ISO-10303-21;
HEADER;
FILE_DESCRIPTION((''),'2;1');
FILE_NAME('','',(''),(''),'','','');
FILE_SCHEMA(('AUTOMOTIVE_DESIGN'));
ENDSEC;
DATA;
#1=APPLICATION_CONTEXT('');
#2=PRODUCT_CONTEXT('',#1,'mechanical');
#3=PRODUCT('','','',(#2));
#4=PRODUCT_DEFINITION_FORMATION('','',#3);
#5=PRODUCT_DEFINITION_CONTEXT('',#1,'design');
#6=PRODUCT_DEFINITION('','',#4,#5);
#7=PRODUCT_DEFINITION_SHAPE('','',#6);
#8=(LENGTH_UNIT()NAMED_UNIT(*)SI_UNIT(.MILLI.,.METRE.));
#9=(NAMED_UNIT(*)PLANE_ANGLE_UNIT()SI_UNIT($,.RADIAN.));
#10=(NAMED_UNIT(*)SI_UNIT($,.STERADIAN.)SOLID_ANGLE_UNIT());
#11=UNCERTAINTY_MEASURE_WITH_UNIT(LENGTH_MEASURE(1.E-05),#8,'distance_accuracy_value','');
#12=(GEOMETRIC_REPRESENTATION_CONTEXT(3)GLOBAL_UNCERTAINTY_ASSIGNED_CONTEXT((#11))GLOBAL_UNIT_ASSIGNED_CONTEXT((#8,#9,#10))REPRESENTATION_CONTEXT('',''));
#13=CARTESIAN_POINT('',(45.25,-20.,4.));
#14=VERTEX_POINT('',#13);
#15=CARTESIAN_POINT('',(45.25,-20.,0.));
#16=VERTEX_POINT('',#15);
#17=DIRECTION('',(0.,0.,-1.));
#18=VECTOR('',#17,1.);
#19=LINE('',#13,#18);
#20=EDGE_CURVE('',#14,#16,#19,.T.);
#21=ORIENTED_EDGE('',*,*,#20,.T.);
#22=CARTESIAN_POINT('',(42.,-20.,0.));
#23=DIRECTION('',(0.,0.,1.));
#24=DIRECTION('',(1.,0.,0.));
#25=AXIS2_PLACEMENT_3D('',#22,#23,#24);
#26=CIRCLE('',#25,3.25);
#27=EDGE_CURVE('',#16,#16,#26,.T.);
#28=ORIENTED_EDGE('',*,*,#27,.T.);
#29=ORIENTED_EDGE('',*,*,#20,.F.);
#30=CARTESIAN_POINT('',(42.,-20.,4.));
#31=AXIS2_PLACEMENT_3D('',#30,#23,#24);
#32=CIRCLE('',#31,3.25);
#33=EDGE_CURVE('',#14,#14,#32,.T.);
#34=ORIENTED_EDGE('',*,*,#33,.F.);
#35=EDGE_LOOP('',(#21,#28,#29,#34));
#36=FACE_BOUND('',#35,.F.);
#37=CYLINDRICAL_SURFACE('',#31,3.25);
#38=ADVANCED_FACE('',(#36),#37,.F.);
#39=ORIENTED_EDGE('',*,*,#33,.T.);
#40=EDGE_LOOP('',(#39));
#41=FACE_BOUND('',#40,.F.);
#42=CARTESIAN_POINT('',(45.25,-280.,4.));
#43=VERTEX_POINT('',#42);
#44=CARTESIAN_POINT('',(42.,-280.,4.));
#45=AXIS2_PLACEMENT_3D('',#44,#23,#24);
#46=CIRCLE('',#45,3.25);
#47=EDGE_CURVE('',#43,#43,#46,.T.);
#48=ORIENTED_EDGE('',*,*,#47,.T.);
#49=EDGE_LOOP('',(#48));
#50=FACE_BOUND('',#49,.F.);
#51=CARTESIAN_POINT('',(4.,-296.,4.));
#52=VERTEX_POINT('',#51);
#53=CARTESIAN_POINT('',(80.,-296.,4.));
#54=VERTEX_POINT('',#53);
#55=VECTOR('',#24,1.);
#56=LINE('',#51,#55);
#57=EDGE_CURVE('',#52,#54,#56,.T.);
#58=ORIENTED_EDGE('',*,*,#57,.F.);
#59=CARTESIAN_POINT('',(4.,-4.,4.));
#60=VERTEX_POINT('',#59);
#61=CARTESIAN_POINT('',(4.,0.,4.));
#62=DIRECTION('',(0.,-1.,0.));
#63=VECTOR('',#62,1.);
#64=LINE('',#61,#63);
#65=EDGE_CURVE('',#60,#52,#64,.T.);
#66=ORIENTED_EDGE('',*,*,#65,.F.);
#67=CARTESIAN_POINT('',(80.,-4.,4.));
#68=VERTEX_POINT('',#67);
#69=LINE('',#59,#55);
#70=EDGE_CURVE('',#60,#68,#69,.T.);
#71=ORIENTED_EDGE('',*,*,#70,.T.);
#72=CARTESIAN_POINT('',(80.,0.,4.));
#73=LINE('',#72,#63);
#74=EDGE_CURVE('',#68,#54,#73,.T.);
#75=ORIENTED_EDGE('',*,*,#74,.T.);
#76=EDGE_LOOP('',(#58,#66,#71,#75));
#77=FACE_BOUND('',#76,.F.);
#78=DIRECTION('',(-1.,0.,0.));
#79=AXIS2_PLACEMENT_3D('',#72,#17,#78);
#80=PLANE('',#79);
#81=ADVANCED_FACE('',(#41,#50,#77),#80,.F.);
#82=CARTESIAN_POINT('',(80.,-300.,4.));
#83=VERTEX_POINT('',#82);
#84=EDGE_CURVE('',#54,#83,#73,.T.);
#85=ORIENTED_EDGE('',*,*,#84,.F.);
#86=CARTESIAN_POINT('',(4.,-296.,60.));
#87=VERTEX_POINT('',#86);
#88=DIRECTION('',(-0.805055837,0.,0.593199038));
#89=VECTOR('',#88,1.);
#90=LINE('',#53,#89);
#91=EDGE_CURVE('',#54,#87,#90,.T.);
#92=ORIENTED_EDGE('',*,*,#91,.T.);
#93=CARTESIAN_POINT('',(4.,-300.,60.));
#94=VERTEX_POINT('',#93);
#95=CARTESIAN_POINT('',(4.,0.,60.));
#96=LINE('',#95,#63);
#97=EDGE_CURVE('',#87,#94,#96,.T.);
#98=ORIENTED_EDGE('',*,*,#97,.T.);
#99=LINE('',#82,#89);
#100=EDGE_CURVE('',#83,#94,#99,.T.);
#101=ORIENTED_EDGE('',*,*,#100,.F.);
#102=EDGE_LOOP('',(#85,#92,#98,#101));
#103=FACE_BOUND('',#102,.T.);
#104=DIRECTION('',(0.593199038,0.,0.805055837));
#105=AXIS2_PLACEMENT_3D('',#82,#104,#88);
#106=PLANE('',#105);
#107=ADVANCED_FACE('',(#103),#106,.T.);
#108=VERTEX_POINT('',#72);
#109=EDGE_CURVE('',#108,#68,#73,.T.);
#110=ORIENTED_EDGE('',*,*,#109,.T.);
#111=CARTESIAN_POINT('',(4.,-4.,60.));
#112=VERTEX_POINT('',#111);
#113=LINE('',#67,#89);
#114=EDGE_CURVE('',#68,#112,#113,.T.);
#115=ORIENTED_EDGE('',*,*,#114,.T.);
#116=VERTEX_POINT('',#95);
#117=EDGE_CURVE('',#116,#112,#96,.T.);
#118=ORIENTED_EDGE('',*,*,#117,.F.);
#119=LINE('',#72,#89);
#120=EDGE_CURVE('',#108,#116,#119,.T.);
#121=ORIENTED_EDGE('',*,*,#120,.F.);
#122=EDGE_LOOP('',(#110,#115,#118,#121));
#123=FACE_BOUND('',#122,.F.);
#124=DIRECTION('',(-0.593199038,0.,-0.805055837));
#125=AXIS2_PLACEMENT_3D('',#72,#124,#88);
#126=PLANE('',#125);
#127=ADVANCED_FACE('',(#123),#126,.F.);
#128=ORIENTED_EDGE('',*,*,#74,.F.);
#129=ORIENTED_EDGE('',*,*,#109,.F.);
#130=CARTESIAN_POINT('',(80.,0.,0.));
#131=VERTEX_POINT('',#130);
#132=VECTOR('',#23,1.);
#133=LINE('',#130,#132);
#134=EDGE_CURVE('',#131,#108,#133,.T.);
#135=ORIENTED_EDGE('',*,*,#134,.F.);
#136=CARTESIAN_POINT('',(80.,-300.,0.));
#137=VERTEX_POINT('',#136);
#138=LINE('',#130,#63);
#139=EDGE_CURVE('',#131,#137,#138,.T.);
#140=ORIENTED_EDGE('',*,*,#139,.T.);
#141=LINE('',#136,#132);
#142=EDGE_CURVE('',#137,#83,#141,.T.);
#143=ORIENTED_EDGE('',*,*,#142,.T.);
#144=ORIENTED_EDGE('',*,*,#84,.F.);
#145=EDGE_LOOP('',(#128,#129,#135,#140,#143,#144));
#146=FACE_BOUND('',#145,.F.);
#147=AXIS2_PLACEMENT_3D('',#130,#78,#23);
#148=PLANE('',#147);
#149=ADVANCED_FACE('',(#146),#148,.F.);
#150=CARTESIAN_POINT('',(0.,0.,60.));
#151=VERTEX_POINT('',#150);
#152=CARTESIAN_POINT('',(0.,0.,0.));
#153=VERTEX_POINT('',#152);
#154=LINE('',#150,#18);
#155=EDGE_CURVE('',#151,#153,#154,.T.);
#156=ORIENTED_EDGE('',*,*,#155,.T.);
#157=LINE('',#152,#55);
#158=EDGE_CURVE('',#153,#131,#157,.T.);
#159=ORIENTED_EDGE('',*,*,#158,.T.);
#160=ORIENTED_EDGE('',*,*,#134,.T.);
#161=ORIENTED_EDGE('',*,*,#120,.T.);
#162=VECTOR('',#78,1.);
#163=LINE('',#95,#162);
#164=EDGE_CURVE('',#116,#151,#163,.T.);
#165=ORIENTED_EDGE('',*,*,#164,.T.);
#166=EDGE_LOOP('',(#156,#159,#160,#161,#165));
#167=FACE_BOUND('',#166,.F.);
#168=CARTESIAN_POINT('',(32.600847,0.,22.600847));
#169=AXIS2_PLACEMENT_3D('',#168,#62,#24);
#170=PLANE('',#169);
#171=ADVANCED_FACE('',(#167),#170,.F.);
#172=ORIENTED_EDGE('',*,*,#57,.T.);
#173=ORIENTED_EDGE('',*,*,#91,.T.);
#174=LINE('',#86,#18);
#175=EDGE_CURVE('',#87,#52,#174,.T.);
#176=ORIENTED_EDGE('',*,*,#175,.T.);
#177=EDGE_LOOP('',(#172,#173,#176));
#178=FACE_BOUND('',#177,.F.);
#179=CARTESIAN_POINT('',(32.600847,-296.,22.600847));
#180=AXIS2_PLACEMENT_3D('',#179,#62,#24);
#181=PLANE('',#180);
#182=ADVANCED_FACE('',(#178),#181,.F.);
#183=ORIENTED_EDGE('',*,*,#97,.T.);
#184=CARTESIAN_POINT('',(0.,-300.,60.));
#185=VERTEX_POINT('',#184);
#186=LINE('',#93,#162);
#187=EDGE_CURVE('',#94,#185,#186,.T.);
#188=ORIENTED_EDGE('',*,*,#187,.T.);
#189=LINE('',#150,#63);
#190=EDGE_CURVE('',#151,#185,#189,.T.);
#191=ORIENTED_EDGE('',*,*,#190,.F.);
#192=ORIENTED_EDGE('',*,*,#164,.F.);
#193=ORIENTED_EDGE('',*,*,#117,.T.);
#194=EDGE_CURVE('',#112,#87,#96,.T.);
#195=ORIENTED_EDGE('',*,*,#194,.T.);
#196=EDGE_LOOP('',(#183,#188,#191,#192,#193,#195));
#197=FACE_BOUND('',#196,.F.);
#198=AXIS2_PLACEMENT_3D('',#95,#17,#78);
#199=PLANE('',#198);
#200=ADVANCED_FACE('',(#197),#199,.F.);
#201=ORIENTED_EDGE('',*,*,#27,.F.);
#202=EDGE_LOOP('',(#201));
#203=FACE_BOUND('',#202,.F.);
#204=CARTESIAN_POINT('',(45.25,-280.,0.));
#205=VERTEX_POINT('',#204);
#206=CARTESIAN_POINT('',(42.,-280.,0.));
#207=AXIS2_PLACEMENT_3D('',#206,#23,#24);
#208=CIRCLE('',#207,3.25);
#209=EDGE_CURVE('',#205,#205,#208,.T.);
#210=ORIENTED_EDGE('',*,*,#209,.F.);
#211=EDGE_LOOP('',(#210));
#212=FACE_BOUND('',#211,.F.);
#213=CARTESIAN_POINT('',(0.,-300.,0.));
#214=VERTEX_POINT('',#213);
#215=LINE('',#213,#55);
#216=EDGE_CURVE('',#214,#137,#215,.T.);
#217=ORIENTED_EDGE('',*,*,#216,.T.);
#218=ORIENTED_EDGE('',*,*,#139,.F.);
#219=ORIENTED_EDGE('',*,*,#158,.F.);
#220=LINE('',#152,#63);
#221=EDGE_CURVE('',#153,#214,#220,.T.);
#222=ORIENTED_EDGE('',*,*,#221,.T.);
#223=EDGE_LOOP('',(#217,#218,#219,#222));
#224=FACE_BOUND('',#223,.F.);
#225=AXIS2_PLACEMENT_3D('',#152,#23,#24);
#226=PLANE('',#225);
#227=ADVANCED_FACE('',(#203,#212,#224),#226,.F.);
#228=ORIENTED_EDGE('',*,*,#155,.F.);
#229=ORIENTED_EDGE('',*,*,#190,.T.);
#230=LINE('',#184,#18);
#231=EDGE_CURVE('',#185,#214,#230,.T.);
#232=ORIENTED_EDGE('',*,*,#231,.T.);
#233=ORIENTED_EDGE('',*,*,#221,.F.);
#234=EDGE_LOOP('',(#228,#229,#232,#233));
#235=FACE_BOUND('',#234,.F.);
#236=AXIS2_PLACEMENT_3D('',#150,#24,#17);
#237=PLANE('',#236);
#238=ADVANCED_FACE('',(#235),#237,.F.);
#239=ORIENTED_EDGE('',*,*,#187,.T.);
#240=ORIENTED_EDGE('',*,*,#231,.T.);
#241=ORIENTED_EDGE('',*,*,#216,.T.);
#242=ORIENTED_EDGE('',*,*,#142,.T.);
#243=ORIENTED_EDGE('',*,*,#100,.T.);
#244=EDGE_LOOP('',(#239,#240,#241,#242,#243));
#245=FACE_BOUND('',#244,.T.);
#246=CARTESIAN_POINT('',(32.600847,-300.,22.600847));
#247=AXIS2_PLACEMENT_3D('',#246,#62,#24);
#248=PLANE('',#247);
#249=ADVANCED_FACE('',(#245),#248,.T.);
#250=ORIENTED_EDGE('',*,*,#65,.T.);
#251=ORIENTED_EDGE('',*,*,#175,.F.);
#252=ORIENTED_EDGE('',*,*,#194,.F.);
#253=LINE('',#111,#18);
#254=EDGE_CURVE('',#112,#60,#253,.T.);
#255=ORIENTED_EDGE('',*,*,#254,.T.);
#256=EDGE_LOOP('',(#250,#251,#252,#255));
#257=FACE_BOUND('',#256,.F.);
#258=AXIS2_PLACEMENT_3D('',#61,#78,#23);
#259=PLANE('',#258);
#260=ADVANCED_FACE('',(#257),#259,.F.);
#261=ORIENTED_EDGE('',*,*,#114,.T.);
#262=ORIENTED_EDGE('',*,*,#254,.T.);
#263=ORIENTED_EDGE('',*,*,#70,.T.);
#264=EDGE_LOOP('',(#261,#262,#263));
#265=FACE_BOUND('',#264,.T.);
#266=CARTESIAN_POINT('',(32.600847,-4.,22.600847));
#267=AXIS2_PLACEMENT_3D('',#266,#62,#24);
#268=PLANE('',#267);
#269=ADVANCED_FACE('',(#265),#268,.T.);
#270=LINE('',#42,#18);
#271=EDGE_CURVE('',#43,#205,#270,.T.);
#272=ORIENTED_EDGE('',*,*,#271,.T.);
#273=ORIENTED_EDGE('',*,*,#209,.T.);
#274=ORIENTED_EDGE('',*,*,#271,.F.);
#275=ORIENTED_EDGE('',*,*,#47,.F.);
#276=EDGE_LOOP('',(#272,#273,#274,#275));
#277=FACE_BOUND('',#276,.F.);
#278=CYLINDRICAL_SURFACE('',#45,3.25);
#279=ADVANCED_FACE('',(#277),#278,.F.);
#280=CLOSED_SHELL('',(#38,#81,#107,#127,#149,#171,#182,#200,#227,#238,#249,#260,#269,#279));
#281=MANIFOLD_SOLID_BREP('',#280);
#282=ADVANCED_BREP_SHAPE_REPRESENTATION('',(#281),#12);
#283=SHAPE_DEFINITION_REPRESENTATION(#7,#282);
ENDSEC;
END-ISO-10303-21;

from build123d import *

# Parameters (mm, degrees)
F1_DEPTH = 300
F2_R     = 3.25
F3_DEPTH = 25
F5_DEPTH = 4
F8_DEPTH = 4


with BuildPart() as f1:
    # F0 (on Front) → F1 (new body)
    with BuildSketch(Plane.XZ):
        Polygon((0, 60), (0, 0), (80, 0), (80, 4), (4, 4), (4, 60), align=None)
    extrude(amount=F1_DEPTH)

    # F2 (on face) → F3 (cut)
    with BuildSketch(Plane.XY.offset(4)):
        with Locations((42, -20)):
            Circle(F2_R)
        with Locations((42, -280)):
            Circle(F2_R)
    extrude(amount=-F3_DEPTH, mode=Mode.SUBTRACT)

    # F4 (on Front) → F5 (join)
    with BuildSketch(Plane.XZ):
        Polygon((80, 4), (4, 60), (4, 4), align=None)
    extrude(amount=F5_DEPTH)

    # F7 (on offset) → F8 (join)
    with BuildSketch(Plane.XZ.offset(300)):
        Polygon((80, 4), (4, 60), (4, 4), align=None)
    extrude(amount=-F8_DEPTH)


solid = f1.part
